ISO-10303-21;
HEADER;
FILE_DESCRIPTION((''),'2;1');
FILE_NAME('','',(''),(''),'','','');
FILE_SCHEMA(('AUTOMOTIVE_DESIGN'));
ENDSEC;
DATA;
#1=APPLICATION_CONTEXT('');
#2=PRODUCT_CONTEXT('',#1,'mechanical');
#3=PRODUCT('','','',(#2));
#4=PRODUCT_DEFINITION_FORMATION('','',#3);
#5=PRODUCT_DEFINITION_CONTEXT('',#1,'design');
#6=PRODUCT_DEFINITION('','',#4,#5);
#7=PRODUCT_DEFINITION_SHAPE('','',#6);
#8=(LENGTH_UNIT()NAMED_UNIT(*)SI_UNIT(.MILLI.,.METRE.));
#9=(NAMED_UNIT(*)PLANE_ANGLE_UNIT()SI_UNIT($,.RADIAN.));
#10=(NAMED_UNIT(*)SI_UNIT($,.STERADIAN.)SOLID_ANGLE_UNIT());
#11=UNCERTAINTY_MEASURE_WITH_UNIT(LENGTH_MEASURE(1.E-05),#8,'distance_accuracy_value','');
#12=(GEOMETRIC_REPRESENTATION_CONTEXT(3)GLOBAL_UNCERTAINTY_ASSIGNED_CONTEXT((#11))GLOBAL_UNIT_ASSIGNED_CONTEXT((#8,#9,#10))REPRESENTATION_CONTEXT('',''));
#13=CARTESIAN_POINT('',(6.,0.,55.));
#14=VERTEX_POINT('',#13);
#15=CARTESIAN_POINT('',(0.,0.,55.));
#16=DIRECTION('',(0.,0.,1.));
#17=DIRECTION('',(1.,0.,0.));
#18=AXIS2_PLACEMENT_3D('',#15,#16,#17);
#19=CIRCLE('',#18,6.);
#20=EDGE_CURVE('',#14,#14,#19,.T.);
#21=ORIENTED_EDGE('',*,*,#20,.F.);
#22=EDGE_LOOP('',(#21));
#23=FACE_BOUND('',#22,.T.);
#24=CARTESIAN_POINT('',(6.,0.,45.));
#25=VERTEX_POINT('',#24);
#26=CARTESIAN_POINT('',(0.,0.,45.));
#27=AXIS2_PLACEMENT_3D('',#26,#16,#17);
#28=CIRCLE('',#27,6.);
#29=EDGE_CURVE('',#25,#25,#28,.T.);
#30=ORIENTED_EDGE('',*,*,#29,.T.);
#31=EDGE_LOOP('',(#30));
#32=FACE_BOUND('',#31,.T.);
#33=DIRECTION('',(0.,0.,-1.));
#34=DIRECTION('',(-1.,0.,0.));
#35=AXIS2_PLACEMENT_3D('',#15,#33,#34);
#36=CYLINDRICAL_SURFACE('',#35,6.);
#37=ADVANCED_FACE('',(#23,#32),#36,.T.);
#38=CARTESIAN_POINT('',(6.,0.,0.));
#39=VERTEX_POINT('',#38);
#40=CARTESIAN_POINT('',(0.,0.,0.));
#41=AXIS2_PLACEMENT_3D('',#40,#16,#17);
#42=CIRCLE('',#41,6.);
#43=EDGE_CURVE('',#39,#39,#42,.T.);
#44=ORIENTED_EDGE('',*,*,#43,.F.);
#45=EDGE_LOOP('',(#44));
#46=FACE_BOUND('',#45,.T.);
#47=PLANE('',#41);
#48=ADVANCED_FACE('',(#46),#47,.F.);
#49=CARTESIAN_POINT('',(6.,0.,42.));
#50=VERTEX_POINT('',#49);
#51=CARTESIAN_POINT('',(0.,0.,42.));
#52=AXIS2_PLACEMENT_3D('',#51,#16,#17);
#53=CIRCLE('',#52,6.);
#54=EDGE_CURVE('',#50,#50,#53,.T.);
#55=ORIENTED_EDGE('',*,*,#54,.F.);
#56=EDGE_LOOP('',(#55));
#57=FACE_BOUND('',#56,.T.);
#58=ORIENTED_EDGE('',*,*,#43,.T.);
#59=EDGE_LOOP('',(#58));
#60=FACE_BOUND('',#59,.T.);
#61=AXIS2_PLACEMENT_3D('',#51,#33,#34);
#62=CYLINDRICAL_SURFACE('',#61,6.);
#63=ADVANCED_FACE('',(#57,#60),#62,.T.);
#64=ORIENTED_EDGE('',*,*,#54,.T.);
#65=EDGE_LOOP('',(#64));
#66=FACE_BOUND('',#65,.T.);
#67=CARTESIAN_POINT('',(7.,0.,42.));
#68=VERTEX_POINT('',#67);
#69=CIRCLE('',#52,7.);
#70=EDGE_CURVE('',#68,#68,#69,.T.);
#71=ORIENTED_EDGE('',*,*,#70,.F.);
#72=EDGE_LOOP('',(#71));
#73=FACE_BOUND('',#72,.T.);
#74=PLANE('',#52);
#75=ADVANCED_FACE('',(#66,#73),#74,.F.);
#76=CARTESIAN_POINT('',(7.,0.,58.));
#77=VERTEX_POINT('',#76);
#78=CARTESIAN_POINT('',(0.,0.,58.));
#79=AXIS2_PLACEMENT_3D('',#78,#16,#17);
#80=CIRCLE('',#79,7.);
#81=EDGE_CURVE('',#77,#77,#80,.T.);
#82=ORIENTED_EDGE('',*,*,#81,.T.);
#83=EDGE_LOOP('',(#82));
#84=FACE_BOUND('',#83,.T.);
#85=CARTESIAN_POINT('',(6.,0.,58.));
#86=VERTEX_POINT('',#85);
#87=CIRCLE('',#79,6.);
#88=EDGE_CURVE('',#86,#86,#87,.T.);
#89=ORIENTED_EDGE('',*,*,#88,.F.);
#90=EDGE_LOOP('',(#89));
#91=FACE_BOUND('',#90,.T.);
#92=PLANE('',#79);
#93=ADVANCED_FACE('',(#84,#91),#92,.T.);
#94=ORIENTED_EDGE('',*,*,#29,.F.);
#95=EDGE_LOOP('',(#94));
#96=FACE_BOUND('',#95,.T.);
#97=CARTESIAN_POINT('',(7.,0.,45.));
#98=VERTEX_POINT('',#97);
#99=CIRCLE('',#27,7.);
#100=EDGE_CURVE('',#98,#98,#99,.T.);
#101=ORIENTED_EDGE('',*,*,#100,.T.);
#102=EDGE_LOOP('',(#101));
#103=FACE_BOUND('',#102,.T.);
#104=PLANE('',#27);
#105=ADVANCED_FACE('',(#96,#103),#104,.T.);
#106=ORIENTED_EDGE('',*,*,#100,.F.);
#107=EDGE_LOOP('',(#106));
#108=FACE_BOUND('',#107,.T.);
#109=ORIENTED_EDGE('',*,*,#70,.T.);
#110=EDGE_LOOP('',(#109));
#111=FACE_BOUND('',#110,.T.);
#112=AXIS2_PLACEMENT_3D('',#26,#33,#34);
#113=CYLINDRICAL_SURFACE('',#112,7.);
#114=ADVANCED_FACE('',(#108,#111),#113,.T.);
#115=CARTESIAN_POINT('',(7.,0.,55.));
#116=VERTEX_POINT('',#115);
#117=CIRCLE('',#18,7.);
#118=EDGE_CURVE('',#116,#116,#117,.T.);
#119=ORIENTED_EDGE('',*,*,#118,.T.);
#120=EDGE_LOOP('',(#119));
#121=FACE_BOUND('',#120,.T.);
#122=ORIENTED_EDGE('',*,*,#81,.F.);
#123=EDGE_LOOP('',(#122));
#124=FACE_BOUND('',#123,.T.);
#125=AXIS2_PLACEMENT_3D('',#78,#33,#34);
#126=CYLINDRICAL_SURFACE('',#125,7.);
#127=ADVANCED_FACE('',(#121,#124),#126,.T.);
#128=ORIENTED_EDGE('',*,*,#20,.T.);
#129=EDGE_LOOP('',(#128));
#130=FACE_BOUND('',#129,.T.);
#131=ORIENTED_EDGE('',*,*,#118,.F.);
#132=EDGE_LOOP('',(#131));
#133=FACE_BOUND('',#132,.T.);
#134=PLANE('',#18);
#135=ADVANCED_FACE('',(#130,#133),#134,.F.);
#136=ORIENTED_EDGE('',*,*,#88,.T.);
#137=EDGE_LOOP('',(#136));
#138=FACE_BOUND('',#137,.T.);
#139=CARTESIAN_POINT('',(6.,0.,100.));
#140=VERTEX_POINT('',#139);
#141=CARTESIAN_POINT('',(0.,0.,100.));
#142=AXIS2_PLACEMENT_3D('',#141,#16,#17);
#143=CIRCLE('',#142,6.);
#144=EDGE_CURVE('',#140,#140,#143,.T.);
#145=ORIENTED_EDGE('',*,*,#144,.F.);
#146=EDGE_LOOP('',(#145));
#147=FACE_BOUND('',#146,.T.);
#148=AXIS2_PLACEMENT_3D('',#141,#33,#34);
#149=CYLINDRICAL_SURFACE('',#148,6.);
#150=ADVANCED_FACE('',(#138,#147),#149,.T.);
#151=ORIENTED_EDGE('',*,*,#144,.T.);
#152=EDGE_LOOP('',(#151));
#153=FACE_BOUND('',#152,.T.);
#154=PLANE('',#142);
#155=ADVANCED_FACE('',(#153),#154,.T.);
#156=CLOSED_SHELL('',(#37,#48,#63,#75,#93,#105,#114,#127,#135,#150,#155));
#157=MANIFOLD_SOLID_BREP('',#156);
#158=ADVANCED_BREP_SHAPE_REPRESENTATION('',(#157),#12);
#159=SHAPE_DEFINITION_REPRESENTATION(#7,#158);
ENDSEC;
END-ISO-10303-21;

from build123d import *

# Parameters (mm, degrees)
SKETCH1_R           = 6
BOSS_EXTRUDE1_DEPTH = 42
SKETCH2_R           = 7
BOSS_EXTRUDE2_DEPTH = 3
SKETCH3_R           = 6
BOSS_EXTRUDE3_DEPTH = 10
SKETCH4_R           = 7
BOSS_EXTRUDE4_DEPTH = 3
SKETCH5_R           = 6
BOSS_EXTRUDE5_DEPTH = 42


with BuildPart() as part:
    # Sketch1 → Boss-Extrude1 (new body)
    with BuildSketch(Plane.XY):
        Circle(SKETCH1_R)
    extrude(amount=BOSS_EXTRUDE1_DEPTH)

    # Sketch2 → Boss-Extrude2 (add)
    with BuildSketch(Plane.XY.offset(42)):
        Circle(SKETCH2_R)
    extrude(amount=BOSS_EXTRUDE2_DEPTH)

    # Sketch3 → Boss-Extrude3 (add)
    with BuildSketch(Plane.XY.offset(45)):
        Circle(SKETCH3_R)
    extrude(amount=BOSS_EXTRUDE3_DEPTH)

    # Sketch4 → Boss-Extrude4 (add)
    with BuildSketch(Plane.XY.offset(55)):
        Circle(SKETCH4_R)
    extrude(amount=BOSS_EXTRUDE4_DEPTH)

    # Sketch5 → Boss-Extrude5 (add)
    with BuildSketch(Plane.XY.offset(58)):
        Circle(SKETCH5_R)
    extrude(amount=BOSS_EXTRUDE5_DEPTH)


solid = part.part
